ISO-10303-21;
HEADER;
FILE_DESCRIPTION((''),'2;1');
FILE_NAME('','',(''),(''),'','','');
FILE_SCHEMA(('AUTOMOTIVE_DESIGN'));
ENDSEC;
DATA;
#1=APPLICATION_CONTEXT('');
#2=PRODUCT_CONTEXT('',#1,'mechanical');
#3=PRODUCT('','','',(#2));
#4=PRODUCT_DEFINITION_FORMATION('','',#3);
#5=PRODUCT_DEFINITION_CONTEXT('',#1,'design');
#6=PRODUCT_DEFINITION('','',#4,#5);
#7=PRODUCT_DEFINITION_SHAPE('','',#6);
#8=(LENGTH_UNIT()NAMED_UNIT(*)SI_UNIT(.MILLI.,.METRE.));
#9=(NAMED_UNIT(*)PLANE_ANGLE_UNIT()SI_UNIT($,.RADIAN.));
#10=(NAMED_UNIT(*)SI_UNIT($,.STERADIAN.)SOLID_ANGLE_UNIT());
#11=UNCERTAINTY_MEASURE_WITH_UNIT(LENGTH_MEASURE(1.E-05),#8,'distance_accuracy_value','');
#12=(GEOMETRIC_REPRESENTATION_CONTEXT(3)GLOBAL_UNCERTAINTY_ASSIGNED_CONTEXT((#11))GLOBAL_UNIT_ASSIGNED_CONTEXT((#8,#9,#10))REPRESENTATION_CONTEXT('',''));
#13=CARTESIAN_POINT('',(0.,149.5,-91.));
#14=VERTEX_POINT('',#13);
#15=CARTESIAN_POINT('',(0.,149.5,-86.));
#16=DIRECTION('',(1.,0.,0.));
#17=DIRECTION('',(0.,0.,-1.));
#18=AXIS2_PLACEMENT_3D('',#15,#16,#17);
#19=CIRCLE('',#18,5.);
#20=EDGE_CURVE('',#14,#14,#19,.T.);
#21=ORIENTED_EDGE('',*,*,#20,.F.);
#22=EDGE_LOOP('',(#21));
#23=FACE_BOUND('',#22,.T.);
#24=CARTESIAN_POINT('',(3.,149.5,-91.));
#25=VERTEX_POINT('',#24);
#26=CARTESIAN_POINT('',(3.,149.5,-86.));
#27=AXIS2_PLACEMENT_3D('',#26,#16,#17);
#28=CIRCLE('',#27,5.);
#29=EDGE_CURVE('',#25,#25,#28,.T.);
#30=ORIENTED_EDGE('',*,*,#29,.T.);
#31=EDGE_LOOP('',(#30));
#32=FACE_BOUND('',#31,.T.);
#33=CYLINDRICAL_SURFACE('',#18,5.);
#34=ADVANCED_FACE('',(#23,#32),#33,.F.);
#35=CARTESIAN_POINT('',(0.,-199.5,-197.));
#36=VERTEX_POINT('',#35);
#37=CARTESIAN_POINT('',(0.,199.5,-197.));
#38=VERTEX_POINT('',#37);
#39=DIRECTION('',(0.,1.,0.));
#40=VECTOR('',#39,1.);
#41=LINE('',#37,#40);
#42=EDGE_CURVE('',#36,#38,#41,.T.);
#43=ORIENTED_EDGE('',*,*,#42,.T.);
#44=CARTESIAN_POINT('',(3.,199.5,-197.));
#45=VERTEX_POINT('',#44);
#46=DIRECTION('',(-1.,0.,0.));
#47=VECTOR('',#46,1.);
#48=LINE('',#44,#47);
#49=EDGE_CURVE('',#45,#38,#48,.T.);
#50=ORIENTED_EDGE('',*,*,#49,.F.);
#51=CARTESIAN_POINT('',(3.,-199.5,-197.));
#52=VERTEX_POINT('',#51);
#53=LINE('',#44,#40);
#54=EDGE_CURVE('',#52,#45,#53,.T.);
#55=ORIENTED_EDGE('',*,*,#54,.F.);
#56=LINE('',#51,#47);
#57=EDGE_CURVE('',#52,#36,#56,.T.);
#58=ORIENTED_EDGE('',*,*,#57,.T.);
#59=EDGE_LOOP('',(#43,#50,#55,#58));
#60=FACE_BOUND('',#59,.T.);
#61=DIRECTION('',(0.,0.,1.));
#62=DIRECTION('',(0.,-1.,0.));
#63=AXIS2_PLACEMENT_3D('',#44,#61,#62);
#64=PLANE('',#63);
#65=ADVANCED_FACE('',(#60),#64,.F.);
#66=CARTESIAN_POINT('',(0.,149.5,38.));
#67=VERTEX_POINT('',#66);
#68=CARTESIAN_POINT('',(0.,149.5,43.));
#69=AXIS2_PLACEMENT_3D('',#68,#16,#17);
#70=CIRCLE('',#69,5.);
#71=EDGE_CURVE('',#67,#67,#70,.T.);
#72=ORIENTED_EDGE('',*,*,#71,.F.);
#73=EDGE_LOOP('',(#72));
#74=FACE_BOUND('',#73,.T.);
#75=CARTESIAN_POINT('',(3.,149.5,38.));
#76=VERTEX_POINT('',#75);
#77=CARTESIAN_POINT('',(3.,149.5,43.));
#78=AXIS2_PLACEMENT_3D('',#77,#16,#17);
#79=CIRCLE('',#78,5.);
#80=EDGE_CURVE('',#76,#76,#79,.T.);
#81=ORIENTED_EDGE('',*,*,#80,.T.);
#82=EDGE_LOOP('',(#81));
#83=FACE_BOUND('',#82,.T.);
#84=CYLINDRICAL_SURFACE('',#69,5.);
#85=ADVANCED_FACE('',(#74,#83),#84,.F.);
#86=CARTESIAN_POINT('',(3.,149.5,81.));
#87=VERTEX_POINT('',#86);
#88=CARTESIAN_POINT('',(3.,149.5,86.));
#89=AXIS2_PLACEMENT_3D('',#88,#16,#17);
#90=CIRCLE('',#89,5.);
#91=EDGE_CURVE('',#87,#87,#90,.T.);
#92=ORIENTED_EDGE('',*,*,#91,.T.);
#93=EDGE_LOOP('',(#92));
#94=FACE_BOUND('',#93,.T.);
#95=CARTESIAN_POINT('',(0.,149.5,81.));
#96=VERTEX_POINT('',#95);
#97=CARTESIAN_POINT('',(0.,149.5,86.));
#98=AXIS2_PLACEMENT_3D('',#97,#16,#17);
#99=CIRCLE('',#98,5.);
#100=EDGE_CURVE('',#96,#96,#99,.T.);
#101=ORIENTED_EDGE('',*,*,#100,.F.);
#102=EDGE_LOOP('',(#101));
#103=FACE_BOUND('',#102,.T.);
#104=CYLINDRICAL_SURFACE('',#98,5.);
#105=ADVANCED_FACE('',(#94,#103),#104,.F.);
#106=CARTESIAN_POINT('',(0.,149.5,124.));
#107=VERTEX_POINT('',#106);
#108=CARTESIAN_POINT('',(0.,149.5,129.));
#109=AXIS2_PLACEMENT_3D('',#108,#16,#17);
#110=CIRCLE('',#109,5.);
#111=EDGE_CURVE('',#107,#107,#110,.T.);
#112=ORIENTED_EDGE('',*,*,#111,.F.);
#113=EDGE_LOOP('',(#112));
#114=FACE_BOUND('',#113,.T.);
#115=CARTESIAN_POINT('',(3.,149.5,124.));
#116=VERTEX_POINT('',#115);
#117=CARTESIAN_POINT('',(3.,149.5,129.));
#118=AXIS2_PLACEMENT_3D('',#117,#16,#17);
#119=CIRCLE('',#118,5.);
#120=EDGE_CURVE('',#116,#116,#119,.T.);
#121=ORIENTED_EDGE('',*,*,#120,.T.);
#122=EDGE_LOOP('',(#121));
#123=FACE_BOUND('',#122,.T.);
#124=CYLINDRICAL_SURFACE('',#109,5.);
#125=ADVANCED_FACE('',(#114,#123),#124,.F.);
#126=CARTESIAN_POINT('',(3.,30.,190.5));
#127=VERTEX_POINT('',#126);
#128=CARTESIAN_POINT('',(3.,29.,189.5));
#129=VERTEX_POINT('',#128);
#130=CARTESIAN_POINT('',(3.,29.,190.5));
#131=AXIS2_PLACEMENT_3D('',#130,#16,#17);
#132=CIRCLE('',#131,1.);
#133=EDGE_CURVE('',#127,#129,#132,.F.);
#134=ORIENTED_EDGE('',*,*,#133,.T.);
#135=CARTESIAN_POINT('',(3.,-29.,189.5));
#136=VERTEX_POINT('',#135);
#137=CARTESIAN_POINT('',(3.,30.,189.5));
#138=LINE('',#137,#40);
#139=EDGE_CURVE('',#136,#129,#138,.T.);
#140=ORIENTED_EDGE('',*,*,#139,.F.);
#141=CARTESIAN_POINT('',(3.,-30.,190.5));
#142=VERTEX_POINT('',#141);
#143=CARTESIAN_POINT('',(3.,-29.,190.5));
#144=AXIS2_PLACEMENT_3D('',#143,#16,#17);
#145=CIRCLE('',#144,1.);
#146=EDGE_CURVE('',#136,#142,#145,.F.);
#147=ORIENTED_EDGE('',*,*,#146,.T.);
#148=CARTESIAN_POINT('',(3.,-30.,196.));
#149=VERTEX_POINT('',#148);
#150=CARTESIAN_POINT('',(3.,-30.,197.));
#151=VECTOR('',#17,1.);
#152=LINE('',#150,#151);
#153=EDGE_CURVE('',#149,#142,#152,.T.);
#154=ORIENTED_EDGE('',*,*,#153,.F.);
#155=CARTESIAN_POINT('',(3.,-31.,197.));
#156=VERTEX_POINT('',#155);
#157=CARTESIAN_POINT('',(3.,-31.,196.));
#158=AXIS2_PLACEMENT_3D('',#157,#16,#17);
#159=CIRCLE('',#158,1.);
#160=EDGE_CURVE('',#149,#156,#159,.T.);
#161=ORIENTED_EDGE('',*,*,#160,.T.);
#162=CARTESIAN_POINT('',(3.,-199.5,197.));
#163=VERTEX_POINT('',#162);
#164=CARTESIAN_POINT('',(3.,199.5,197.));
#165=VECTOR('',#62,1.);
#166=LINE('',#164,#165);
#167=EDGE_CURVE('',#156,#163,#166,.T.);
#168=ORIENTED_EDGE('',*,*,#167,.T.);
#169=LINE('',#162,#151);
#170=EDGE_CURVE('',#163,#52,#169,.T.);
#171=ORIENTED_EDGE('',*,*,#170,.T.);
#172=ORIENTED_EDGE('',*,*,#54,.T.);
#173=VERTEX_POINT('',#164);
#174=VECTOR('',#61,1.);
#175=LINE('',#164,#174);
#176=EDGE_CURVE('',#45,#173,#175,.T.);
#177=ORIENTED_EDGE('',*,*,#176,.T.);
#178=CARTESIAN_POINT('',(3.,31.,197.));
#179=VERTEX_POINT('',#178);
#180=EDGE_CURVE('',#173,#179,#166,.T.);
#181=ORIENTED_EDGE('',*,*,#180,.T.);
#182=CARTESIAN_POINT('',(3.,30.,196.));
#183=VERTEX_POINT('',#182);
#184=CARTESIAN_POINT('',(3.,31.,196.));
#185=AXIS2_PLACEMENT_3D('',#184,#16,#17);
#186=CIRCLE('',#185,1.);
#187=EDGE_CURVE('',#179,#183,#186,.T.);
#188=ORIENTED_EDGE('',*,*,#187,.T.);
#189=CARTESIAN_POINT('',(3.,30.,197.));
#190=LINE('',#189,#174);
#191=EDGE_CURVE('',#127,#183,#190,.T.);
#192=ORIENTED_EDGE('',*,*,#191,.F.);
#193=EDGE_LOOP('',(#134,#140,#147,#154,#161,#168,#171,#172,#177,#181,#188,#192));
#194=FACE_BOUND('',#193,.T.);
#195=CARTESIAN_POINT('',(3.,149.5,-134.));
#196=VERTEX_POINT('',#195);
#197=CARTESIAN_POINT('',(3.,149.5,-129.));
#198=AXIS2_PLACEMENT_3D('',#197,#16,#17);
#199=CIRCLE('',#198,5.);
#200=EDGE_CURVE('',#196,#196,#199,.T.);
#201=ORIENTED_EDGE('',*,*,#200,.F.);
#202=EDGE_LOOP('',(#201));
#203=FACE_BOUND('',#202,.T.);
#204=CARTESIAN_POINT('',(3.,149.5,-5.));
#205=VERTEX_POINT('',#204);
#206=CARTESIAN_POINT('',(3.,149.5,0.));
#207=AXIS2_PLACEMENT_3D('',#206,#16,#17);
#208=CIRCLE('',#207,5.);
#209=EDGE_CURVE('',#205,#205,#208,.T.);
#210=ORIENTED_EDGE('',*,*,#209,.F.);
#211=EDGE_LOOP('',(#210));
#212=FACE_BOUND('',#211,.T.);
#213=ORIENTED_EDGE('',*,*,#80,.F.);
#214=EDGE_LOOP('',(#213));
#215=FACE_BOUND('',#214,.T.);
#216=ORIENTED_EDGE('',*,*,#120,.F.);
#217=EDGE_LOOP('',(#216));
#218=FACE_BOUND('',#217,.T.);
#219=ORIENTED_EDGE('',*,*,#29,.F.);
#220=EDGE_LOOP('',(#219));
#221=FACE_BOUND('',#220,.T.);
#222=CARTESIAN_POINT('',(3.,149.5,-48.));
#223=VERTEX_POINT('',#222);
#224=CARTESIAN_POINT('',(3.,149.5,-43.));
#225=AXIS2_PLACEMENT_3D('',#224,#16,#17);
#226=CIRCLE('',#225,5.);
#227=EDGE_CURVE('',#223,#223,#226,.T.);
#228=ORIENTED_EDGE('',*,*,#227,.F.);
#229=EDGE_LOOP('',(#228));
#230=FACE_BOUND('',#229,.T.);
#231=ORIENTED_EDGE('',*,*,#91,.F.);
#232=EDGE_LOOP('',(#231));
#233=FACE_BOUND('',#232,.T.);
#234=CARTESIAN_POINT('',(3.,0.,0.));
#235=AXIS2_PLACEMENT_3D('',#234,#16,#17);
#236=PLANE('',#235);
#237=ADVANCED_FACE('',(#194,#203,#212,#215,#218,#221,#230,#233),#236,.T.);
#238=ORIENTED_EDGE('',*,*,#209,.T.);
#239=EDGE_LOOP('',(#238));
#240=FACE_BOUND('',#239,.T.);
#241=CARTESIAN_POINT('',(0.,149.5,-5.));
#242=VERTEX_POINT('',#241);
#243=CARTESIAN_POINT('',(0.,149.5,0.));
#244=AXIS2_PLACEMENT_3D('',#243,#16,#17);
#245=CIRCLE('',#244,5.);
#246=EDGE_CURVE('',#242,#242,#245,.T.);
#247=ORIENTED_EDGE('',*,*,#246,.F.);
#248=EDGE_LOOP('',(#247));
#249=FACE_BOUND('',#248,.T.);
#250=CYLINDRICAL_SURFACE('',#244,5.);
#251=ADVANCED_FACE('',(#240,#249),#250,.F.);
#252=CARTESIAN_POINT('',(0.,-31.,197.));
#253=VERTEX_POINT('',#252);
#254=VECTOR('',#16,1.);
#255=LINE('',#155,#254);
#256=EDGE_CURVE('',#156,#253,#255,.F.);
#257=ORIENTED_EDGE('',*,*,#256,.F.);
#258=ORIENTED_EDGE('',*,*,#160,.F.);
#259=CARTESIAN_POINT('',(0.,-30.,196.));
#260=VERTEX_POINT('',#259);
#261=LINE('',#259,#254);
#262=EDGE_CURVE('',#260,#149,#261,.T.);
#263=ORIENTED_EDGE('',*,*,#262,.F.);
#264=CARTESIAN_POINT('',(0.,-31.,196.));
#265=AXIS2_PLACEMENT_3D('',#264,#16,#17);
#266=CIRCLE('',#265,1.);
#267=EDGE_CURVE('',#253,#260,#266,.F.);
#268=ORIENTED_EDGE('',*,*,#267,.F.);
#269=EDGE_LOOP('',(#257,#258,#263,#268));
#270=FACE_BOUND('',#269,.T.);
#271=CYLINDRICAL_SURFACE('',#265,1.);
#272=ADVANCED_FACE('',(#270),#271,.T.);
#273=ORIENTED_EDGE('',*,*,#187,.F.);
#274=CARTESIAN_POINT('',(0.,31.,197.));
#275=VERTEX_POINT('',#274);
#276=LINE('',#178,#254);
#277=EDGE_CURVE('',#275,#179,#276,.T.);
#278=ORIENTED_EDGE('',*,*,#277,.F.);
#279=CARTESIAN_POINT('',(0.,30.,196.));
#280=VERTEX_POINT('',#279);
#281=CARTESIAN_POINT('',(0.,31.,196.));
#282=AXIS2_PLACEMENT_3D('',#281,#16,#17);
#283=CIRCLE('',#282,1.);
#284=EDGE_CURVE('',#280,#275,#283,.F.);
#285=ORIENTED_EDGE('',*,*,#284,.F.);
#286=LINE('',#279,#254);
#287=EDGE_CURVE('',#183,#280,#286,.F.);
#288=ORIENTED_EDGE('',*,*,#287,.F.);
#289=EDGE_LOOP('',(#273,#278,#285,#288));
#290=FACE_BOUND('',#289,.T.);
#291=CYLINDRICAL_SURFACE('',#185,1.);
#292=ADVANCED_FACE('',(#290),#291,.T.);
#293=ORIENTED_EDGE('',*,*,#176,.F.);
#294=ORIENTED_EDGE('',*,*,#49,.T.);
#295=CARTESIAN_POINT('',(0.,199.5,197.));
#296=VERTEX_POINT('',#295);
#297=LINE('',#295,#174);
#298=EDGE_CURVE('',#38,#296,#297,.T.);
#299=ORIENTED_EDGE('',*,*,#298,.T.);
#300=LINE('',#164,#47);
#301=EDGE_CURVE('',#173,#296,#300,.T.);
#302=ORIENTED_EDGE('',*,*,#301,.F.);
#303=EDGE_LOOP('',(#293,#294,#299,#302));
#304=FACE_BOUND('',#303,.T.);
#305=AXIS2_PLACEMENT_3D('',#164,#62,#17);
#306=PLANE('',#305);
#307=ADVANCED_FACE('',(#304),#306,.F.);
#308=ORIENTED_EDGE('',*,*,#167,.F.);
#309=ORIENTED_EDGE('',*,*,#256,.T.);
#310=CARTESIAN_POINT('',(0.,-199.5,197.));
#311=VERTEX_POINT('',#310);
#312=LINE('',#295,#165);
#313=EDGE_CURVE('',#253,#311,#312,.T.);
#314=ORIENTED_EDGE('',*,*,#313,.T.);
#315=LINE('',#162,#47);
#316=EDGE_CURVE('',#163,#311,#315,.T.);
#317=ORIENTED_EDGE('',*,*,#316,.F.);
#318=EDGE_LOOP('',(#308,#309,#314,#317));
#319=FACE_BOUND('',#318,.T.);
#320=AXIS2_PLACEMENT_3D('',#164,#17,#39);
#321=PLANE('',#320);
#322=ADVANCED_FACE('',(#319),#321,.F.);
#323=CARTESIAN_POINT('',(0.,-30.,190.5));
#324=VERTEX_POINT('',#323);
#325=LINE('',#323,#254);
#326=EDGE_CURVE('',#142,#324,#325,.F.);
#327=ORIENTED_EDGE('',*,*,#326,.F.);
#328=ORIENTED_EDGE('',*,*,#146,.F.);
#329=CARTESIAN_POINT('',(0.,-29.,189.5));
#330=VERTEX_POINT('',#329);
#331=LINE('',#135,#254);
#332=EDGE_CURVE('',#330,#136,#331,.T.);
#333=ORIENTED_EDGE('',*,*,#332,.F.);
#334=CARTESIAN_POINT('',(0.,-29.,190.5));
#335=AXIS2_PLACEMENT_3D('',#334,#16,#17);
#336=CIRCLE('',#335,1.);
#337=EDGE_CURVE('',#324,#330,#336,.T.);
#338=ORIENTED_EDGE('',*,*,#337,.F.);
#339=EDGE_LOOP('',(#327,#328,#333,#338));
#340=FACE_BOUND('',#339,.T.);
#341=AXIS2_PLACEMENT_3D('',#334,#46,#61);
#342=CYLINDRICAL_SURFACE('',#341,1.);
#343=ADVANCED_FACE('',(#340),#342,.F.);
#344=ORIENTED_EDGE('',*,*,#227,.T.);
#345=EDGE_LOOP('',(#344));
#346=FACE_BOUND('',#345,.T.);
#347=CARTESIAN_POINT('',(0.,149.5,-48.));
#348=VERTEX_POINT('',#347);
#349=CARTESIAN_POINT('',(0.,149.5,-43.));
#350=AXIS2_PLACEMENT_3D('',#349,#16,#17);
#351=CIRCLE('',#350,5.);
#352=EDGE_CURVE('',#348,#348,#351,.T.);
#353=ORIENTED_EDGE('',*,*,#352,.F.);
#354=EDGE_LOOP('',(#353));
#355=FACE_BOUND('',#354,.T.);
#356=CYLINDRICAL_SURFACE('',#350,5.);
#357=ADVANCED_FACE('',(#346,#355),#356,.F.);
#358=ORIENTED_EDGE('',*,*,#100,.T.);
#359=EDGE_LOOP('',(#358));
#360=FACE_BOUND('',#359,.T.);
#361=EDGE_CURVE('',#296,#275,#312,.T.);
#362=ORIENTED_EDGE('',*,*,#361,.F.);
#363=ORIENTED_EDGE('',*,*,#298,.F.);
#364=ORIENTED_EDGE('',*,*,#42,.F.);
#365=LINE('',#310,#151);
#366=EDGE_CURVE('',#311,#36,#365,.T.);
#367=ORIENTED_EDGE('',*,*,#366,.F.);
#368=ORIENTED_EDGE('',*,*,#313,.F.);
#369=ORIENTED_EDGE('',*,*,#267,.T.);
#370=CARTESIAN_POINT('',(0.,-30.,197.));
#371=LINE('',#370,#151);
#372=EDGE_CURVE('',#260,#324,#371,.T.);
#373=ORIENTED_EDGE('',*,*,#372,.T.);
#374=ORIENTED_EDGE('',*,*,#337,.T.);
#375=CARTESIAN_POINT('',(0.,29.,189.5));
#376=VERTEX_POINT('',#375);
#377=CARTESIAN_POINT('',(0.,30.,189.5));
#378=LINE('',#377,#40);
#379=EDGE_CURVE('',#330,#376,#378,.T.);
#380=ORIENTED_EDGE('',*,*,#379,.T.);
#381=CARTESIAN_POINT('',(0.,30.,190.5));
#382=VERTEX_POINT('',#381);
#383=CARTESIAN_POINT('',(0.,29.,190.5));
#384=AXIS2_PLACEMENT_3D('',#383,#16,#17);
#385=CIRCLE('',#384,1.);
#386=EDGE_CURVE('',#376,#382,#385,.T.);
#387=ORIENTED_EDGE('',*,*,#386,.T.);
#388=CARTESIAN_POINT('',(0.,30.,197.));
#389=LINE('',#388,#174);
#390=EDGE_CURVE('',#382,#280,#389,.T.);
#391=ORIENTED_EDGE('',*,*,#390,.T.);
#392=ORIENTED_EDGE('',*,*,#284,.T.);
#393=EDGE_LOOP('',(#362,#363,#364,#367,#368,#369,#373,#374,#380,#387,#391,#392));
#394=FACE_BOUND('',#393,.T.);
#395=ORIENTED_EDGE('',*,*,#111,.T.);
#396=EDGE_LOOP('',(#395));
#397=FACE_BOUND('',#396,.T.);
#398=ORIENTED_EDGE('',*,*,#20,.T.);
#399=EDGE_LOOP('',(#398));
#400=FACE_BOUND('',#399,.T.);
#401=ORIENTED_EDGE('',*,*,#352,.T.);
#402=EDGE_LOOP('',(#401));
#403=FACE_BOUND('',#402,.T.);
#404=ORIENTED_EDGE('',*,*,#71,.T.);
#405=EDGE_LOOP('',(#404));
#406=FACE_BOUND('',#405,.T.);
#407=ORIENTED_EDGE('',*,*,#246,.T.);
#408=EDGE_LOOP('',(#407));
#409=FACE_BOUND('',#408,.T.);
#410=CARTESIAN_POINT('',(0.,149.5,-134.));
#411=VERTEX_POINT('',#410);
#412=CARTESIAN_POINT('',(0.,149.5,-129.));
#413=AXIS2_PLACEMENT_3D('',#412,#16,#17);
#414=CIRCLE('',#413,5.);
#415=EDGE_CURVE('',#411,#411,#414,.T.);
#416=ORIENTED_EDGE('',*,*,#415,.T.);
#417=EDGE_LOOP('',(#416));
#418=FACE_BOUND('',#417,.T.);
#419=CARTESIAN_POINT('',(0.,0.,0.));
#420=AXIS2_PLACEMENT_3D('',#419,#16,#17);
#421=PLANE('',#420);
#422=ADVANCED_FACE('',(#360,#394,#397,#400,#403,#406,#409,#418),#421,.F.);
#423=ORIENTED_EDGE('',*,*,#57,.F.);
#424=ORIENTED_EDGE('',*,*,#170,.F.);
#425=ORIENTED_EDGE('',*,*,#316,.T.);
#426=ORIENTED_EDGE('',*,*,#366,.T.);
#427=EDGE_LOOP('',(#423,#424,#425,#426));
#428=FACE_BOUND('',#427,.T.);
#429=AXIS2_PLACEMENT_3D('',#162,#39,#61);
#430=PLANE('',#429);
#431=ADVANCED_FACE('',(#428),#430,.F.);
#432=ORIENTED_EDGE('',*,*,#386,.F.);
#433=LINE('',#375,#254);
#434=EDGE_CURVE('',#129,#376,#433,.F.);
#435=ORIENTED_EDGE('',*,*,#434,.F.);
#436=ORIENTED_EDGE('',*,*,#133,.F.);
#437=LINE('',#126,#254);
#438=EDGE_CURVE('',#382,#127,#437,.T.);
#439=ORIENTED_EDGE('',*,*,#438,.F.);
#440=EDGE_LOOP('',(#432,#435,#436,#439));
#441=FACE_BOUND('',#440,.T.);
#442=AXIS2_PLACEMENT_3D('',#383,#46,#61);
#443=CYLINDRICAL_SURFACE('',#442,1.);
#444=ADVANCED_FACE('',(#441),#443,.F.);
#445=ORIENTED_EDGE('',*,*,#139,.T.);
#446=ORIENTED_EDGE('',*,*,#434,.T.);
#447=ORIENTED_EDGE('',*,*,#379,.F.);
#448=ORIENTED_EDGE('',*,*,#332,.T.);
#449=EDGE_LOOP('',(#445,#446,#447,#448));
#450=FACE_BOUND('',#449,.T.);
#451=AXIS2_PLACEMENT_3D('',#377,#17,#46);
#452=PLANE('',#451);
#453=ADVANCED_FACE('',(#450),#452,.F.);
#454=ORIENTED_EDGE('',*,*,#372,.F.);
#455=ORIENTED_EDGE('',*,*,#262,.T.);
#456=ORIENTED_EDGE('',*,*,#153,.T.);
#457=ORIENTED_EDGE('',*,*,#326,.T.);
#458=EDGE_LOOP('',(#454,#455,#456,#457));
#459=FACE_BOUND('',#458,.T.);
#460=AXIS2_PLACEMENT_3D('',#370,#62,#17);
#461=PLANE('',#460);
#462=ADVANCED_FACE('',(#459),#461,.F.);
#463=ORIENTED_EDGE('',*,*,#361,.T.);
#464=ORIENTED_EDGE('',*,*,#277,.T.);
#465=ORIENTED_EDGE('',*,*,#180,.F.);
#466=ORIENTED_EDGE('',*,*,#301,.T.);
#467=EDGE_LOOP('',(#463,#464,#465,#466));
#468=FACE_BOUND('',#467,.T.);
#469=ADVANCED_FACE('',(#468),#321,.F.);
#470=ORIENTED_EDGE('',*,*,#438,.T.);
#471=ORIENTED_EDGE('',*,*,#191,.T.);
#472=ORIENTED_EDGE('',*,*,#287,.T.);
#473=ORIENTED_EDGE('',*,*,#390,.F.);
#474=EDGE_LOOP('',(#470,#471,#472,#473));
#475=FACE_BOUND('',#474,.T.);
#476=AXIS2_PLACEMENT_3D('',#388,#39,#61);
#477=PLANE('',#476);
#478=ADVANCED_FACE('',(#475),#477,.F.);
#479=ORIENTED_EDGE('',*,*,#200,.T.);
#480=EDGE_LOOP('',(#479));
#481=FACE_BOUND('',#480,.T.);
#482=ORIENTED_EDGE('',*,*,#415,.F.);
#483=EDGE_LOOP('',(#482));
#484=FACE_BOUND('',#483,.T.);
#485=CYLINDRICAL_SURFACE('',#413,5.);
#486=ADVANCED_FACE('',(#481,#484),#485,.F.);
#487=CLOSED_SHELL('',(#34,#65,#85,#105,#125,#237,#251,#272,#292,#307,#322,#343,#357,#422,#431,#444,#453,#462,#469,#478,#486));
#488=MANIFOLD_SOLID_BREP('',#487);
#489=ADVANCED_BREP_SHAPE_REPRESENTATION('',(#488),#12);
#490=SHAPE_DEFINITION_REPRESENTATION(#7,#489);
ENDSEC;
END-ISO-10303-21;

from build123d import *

# Parameters (mm, degrees)
SKETCH_1_W          = 394
SKETCH_1_H          = 399
EXTRUDE_1_DEPTH     = 3
SKETCH_2_R          = 5
SKETCH_2_W          = 7.5
SKETCH_2_H          = 60
CUT_EXTRUDE_1_DEPTH = 281.389461286
FILLET_1_R          = 1


with BuildPart() as part:
    # 草圖1 → 填料-伸長1 (new body)
    with BuildSketch(Plane(origin=(0, 0, 0), x_dir=(0, 0, -1), z_dir=(1, 0, 0))):
        Rectangle(SKETCH_1_W, SKETCH_1_H)
    extrude(amount=EXTRUDE_1_DEPTH)

    # 草圖2 → 除料-伸長1 (cut, through all)
    with BuildSketch(Plane(origin=(3, 0, 0), x_dir=(0, 0, -1), z_dir=(1, 0, 0))):
        with Locations((-129, 149.5)):
            Circle(SKETCH_2_R)
        with Locations((-86, 149.5)):
            Circle(SKETCH_2_R)
        with Locations((-43, 149.5)):
            Circle(SKETCH_2_R)
        with Locations((0, 149.5)):
            Circle(SKETCH_2_R)
        with Locations((43, 149.5)):
            Circle(SKETCH_2_R)
        with Locations((86, 149.5)):
            Circle(SKETCH_2_R)
        with Locations((129, 149.5)):
            Circle(SKETCH_2_R)
        with Locations((-193.25, 0)):
            Rectangle(SKETCH_2_W, SKETCH_2_H)
    extrude(amount=-CUT_EXTRUDE_1_DEPTH, mode=Mode.SUBTRACT)

    # 圓角1
    fillet_1_edges = [part.edges().sort_by_distance(p)[0] for p in [
        (1.5, -30, 197),
        (1.5, 30, 197),
        (1.5, 30, 189.5),
        (1.5, -30, 189.5),
    ]]
    fillet(fillet_1_edges, radius=FILLET_1_R)


solid = part.part
